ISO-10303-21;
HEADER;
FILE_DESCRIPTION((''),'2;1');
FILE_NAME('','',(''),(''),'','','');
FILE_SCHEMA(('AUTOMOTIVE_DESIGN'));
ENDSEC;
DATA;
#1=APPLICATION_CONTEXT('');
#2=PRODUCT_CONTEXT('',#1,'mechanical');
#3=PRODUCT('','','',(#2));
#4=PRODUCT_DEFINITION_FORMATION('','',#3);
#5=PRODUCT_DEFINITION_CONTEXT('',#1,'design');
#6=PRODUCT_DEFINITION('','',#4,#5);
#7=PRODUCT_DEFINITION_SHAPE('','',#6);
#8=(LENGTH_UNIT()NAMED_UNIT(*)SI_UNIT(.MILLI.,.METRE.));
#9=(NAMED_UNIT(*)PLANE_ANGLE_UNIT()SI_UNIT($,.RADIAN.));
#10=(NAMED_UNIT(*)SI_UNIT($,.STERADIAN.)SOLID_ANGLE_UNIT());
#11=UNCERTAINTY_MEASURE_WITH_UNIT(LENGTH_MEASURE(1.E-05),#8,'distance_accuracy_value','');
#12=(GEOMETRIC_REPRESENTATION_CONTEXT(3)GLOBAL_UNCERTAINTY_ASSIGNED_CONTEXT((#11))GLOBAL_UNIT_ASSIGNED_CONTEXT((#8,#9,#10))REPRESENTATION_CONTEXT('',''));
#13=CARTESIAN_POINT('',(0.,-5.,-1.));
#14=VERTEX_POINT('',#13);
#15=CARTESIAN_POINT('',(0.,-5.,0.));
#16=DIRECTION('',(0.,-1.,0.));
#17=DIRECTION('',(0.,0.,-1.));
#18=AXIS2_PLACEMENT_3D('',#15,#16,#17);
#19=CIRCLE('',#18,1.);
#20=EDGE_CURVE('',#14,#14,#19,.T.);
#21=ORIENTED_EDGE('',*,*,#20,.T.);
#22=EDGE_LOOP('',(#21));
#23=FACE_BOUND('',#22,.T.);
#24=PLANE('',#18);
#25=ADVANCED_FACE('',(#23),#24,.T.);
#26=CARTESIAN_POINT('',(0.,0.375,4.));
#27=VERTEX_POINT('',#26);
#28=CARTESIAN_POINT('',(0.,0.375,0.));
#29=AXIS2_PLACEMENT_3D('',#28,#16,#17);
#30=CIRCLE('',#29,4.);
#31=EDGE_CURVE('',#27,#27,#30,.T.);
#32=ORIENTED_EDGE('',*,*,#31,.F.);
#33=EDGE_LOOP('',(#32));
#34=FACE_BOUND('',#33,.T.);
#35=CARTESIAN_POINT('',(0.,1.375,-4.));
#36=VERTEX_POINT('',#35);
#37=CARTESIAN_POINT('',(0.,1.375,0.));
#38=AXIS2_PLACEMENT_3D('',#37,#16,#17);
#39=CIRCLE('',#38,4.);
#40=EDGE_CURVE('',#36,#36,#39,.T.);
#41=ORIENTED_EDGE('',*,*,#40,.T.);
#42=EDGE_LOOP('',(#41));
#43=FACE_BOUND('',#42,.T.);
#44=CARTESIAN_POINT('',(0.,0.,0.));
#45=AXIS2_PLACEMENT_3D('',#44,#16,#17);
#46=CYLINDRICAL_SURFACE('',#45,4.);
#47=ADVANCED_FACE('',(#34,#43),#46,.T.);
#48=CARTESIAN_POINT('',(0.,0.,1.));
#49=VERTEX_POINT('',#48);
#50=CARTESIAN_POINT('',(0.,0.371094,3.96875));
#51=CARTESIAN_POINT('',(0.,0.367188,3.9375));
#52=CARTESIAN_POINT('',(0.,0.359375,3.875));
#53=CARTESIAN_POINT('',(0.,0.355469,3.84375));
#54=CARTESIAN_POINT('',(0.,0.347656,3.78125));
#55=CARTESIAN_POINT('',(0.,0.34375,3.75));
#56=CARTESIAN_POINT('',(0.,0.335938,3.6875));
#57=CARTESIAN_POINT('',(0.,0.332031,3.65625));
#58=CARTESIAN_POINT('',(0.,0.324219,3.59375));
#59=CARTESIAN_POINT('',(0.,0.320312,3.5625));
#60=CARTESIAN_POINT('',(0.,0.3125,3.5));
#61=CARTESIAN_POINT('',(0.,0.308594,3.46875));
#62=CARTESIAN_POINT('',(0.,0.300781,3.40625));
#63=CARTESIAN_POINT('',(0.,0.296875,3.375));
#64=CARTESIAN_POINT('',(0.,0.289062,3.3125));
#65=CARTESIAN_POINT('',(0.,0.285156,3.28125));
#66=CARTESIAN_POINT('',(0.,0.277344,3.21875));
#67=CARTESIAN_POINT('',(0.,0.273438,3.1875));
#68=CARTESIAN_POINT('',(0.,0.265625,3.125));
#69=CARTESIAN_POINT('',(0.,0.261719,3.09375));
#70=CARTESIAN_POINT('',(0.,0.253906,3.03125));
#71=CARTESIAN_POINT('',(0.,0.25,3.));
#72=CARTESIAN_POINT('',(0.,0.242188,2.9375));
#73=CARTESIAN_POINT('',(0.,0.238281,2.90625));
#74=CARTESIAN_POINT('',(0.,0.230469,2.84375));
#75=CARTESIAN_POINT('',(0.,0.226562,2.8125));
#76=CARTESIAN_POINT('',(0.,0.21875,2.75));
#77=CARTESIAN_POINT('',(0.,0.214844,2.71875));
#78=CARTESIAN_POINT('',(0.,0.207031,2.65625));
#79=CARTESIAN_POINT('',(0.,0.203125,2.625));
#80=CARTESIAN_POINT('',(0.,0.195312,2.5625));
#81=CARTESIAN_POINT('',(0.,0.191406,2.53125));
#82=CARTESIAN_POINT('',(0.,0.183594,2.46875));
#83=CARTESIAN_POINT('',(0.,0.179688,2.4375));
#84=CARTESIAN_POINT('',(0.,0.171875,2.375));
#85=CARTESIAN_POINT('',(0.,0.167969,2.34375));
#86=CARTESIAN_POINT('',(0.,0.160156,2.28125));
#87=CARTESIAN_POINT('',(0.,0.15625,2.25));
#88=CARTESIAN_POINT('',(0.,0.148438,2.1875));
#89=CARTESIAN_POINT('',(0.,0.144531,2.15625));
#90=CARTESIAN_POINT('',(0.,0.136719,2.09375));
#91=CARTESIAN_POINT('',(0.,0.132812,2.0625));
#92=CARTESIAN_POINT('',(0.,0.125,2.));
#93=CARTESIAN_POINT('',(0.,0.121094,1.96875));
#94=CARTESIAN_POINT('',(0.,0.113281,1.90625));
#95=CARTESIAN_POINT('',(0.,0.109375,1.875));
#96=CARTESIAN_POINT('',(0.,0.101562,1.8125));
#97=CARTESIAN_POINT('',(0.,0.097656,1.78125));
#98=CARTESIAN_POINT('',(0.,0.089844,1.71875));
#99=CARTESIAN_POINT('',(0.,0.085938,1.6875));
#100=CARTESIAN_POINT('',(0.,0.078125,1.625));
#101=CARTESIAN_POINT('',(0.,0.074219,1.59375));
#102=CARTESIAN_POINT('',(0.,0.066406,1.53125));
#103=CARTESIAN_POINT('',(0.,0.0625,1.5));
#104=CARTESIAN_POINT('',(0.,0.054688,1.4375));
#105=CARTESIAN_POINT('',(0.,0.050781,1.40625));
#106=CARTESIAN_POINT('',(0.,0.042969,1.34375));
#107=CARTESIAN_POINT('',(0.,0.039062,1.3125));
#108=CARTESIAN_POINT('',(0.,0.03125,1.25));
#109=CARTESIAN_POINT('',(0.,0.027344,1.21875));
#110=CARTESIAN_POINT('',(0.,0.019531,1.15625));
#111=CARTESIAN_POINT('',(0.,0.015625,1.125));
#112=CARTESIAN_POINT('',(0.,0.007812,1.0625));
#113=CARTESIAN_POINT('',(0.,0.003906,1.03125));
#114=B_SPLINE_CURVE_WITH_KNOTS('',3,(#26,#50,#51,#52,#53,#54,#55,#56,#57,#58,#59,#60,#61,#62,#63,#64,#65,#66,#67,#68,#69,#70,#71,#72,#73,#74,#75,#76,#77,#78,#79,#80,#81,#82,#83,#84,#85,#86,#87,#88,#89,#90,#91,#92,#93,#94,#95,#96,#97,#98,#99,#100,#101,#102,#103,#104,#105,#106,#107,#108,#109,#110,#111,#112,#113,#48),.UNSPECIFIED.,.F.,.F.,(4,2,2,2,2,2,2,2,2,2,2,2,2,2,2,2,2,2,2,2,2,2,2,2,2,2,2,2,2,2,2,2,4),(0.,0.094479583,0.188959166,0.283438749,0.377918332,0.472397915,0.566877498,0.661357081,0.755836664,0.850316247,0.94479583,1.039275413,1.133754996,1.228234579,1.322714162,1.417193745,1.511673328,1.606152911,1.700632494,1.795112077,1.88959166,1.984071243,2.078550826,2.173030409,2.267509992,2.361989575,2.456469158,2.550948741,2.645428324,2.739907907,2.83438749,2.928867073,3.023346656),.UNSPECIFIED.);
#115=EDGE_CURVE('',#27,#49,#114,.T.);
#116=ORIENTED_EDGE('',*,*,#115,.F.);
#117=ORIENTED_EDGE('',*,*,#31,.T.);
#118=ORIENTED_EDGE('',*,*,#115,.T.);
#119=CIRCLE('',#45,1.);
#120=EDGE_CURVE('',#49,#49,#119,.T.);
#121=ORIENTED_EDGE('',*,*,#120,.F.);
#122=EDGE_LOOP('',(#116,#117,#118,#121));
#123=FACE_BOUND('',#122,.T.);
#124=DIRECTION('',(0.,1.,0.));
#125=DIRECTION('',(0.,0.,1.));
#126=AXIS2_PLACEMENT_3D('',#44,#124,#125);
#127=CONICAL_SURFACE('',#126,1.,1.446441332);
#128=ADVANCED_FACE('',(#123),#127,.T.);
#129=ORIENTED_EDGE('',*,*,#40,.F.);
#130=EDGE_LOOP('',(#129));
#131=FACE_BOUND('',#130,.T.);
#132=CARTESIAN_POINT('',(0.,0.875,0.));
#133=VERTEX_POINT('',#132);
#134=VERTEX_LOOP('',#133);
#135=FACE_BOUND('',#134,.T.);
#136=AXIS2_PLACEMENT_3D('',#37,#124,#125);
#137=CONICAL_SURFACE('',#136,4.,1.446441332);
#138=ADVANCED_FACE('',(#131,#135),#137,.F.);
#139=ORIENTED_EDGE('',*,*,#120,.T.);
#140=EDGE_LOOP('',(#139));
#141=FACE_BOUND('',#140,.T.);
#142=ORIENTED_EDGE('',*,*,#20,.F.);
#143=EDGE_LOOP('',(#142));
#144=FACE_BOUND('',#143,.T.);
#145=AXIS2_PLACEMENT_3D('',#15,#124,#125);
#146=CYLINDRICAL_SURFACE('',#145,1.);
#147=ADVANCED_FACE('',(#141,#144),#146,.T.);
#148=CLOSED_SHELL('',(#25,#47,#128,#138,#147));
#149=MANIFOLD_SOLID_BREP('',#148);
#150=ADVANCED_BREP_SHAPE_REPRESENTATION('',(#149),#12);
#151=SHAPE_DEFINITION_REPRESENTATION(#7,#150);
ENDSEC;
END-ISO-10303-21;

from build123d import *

# Parameters (mm, degrees)
SKETCH3_R           = 1
BOSS_EXTRUDE1_DEPTH = 5


with BuildPart() as part:
    # Sketch2 → Revolve1 (revolve)
    with BuildSketch(Plane.XY, mode=Mode.PRIVATE) as revolve1_sk:
        Polygon((0, 0), (0, 0.875), (4, 1.375), (4, 0.375), (1, 0), align=None)
    revolve(revolve1_sk.sketch.rotate(Axis((0, 0, 0), (0, 1, 0)), 270), axis=Axis((0, 0, 0), (0, 1, 0)))

    # Sketch3 → Boss-Extrude1 (add)
    with BuildSketch(Plane.XZ):
        with Locations(Location((0, 0, 0), (0, 0, 90))):
            Circle(SKETCH3_R)
    extrude(amount=BOSS_EXTRUDE1_DEPTH)


solid = part.part
